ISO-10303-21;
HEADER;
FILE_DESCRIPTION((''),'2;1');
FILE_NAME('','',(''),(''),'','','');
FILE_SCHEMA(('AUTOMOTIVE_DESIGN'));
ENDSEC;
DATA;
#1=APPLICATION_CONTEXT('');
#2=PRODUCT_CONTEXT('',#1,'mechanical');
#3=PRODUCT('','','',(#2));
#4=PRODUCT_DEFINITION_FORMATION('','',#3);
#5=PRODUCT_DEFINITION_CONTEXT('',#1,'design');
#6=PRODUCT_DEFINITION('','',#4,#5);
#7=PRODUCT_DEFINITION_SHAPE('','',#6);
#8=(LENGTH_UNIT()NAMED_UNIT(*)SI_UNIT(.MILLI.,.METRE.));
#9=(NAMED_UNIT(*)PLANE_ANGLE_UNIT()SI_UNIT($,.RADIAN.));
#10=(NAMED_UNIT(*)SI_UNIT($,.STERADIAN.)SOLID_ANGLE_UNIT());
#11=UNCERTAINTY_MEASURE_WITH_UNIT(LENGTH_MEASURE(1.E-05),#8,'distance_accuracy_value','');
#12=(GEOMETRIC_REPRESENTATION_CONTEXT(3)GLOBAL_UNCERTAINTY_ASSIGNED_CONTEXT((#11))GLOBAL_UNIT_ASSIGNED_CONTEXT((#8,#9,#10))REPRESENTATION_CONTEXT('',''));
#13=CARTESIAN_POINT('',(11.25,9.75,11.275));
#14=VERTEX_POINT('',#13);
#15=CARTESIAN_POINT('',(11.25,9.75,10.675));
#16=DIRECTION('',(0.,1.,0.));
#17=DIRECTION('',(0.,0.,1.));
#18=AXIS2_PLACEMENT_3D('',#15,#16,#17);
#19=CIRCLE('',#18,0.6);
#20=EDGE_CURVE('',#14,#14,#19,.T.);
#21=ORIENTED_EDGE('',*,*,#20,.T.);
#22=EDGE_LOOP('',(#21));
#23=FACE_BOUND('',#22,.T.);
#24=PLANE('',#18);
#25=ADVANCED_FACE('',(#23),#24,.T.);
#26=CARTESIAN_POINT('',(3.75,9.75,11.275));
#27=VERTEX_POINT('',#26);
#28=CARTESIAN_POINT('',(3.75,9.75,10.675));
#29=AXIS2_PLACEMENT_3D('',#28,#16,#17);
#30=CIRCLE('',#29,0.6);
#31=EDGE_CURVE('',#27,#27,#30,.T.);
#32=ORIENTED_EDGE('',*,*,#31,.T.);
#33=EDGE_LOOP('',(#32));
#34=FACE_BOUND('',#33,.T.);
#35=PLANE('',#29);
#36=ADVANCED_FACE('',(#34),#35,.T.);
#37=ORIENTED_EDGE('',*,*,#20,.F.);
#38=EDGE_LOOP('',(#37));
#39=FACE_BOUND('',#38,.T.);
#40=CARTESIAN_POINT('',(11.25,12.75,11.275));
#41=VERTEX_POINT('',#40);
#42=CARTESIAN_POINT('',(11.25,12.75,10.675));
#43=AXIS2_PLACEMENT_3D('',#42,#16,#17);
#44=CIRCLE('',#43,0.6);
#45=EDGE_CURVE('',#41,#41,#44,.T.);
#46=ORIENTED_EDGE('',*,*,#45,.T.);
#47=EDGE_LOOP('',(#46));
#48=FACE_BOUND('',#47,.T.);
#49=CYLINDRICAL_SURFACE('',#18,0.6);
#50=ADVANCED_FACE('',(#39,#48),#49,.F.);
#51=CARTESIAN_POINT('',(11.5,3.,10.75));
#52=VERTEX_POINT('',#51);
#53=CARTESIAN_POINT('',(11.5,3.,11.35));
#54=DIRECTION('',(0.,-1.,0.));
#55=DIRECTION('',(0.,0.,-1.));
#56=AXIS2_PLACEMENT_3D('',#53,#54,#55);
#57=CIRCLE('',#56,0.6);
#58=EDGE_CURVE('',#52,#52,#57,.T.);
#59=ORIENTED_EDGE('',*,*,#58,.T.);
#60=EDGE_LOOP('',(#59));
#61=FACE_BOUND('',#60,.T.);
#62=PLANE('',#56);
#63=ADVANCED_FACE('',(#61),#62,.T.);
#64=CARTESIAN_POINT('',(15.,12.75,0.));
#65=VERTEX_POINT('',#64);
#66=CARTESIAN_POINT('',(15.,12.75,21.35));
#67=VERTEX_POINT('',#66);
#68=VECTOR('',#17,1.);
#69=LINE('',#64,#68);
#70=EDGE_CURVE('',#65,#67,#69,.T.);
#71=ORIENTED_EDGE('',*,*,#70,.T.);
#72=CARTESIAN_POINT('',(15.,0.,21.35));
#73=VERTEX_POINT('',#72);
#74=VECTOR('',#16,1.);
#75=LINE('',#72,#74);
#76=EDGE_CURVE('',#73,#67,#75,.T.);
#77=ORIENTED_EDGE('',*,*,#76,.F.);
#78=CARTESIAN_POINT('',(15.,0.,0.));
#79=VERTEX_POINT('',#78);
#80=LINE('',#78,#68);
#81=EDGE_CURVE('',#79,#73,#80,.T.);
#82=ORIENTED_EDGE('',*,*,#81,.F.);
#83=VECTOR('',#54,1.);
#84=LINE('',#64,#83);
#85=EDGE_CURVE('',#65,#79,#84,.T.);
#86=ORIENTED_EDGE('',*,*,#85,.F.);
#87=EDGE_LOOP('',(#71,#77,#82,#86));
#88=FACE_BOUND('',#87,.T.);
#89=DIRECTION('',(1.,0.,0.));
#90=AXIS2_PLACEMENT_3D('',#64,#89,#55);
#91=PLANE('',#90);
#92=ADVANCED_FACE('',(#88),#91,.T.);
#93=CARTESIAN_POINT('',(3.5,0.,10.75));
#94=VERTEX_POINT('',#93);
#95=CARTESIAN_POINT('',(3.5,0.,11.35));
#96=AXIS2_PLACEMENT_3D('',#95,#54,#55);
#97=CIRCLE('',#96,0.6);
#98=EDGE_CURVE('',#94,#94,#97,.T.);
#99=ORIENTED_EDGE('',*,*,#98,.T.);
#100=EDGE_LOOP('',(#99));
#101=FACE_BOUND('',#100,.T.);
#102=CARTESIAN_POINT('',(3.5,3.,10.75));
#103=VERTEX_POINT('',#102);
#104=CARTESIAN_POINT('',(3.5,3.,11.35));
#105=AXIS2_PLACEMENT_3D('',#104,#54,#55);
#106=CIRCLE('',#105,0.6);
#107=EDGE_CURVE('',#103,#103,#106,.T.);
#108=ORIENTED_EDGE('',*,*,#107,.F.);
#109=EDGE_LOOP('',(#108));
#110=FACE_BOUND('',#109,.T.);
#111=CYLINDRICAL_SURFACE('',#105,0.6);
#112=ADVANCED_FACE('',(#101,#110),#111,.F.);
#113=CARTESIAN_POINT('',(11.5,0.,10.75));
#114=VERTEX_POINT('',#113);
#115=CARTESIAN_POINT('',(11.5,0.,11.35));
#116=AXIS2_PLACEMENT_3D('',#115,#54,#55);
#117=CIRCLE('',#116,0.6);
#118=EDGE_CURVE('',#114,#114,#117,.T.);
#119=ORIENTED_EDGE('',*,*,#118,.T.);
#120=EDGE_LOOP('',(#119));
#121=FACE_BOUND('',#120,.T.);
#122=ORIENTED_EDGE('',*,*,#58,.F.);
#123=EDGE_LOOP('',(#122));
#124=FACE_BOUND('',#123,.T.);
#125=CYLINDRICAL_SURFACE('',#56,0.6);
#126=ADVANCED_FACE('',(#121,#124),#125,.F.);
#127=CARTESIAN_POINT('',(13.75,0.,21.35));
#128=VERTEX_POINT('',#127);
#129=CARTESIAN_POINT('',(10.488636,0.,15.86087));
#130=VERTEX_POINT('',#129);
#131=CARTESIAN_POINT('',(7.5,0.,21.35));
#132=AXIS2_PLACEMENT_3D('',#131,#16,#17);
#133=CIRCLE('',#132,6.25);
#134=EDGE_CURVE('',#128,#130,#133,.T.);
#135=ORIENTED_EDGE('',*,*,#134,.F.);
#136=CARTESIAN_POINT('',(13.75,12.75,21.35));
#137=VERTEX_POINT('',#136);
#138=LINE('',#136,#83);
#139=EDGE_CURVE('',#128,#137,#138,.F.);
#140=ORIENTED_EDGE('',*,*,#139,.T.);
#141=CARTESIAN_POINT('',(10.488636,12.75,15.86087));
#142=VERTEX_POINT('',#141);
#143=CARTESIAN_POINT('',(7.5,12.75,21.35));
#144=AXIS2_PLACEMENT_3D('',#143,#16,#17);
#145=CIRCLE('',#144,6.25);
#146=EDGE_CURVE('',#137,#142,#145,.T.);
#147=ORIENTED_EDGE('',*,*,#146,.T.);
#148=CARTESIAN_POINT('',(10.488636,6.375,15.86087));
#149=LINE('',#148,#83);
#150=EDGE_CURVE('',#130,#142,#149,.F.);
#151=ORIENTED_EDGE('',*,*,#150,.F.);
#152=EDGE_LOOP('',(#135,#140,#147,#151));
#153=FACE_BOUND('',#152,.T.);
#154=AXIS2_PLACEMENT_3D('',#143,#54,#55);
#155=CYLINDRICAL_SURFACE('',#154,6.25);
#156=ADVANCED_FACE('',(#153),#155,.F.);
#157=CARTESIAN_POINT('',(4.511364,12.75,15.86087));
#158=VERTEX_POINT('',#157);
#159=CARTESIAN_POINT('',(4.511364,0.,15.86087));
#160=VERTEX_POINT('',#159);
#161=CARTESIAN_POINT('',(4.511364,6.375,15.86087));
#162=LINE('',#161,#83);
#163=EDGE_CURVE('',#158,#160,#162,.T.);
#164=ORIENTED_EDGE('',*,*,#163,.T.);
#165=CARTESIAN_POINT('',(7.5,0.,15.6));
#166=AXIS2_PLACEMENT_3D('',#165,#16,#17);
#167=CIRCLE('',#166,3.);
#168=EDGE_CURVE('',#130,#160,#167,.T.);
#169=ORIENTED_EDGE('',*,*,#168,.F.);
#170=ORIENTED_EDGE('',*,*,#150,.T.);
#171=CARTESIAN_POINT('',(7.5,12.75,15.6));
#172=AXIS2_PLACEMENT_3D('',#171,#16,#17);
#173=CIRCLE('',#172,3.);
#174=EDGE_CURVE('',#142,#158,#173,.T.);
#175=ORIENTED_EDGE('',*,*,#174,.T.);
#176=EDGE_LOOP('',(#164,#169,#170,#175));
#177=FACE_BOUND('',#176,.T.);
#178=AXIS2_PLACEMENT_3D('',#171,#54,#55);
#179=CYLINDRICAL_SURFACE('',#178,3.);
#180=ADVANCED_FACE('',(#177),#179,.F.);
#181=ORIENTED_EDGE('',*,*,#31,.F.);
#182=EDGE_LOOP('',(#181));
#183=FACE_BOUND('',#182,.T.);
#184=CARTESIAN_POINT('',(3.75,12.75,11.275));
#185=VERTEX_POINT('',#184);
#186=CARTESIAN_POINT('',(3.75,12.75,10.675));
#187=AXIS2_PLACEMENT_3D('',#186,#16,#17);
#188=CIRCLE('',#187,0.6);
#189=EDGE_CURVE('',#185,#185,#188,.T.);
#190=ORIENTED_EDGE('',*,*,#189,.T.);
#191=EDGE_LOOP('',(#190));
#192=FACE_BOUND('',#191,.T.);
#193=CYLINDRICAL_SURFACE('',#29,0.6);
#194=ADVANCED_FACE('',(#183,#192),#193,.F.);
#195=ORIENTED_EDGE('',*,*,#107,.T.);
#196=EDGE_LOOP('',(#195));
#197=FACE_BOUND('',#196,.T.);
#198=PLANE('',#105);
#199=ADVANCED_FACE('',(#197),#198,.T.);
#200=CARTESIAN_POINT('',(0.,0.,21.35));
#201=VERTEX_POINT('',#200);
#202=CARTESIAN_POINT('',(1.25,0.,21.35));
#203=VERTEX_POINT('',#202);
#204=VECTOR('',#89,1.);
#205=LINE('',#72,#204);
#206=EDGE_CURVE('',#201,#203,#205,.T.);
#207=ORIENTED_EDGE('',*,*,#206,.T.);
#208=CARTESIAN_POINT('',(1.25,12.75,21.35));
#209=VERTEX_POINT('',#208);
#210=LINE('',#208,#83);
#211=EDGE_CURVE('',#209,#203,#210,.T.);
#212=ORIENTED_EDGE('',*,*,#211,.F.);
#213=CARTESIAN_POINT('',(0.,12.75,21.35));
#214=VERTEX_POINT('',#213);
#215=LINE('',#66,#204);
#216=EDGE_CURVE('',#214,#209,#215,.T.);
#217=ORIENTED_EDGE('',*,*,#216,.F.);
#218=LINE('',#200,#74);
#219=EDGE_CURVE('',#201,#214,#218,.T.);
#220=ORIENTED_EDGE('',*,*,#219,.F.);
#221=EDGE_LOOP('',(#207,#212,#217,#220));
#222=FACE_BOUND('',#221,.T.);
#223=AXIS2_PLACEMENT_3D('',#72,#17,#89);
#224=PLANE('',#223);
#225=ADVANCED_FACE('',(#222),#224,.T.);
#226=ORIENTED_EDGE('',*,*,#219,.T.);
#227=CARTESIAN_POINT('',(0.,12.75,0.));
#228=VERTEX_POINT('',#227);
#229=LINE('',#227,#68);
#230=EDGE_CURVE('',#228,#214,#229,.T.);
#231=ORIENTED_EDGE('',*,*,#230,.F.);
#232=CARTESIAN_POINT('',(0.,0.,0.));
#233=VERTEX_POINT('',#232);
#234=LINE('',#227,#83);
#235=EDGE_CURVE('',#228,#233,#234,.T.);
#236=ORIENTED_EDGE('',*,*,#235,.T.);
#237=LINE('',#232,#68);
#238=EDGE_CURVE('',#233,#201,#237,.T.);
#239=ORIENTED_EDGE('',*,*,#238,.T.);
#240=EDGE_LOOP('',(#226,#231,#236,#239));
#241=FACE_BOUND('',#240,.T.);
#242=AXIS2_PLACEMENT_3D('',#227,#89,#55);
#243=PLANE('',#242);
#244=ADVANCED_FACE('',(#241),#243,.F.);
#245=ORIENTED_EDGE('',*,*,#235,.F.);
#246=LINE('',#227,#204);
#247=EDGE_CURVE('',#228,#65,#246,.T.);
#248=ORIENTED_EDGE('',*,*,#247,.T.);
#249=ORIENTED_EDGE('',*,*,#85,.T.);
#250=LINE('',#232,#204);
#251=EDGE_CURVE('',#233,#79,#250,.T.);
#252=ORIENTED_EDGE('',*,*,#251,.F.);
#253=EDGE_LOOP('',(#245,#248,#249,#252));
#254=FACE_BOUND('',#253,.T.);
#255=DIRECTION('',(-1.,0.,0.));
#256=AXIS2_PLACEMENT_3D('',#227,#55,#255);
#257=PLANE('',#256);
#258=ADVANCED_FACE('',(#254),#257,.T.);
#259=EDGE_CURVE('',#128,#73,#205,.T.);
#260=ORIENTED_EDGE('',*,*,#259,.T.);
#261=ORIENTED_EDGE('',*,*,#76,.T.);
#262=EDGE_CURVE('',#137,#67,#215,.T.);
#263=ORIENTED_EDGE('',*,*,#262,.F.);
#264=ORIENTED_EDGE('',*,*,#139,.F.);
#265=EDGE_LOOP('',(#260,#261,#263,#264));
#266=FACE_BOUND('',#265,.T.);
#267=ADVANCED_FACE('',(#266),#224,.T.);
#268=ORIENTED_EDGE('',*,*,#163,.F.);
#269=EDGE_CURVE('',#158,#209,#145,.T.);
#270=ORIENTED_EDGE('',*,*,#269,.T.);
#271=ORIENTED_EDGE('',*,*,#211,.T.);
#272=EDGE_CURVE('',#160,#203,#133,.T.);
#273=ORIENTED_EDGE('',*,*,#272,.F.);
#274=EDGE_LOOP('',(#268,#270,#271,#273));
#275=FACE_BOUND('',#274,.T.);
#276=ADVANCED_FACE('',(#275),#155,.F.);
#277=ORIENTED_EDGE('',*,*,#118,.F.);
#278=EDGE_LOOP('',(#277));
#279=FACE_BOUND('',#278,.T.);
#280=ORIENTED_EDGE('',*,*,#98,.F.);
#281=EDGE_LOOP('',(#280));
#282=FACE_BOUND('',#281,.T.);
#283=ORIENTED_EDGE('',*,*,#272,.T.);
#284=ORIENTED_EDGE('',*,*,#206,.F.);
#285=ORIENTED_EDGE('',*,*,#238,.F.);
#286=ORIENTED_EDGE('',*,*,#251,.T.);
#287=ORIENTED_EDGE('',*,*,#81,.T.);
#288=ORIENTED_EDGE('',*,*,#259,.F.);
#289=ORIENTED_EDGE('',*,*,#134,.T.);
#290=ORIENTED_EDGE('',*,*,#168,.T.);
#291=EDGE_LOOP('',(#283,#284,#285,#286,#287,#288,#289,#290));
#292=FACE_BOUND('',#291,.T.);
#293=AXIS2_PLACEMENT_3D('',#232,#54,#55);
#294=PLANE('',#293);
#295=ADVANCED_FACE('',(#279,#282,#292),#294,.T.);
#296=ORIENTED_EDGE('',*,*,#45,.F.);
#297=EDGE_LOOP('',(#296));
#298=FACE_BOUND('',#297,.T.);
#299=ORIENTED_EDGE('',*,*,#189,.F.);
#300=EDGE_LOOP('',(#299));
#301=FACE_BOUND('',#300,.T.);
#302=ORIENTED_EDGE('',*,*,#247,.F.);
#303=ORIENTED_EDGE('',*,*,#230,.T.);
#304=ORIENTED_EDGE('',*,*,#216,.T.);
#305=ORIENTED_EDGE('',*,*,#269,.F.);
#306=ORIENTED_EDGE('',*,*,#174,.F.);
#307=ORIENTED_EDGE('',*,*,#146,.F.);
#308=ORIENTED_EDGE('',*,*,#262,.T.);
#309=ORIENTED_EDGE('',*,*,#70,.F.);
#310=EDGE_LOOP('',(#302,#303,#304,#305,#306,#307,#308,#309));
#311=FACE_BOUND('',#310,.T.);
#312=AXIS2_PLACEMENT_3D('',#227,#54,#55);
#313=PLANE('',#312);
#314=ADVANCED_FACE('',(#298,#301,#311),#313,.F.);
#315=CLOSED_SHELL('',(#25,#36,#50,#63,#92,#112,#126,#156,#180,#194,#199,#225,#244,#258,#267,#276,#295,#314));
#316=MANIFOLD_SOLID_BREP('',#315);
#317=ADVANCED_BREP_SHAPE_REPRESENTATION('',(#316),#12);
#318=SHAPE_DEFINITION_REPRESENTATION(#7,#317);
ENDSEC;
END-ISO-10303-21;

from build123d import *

# Parameters (mm, degrees)
SKETCH_1_W           = 15
SKETCH_1_H           = 32.4
EXTRUDE_1_DEPTH      = 12.75
SKETCH_1_3_R         = 6.25
SKETCH_1_3_R_2       = 3
CUT_EXTRUDE_1_DEPTH  = 38.912036347
SKETCH_2_OUTSIDE_W   = 24.582
SKETCH_2_OUTSIDE_H   = 41.982
SKETCH_2_OUTSIDE_W_2 = 15
SKETCH_2_OUTSIDE_H_2 = 21.35
CUT_EXTRUDE_2_DEPTH  = 38.912036347
SKETCH_3_R           = 0.6
CUT_EXTRUDE_3_DEPTH  = 3
SKETCH_4_R           = 0.6
CUT_EXTRUDE_4_DEPTH  = 3


with BuildPart() as part:
    # 草图1 → 凸台-拉伸1 (new body)
    with BuildSketch(Plane(origin=(0, 0, 0), x_dir=(1, 0, 0), z_dir=(0, 1, 0))):
        with Locations((7.5, -16.2)):
            Rectangle(SKETCH_1_W, SKETCH_1_H)
    extrude(amount=EXTRUDE_1_DEPTH)

    # 草图1<3> → 切除-拉伸1 (cut, through all)
    with BuildSketch(Plane(origin=(0, 0, 0), x_dir=(1, 0, 0), z_dir=(0, 1, 0))):
        with Locations((7.5, -21.35)):
            Circle(SKETCH_1_3_R)
        with Locations((7.5, -15.6)):
            Circle(SKETCH_1_3_R_2)
    extrude(amount=CUT_EXTRUDE_1_DEPTH, mode=Mode.SUBTRACT)

    # 草图2 outside → 切除-拉伸2 (cut, through all)
    with BuildSketch(Plane(origin=(0, 12.75, 0), x_dir=(1, 0, 0), z_dir=(0, 1, 0))):
        with Locations((7.5, -16.2)):
            Rectangle(SKETCH_2_OUTSIDE_W, SKETCH_2_OUTSIDE_H)
        with Locations((7.5, -10.675)):
            Rectangle(SKETCH_2_OUTSIDE_W_2, SKETCH_2_OUTSIDE_H_2, mode=Mode.SUBTRACT)
    extrude(amount=-CUT_EXTRUDE_2_DEPTH, mode=Mode.SUBTRACT)

    # 草图3 → 切除-拉伸3 (cut)
    with BuildSketch(Plane.XZ):
        with Locations((3.5, 11.35)):
            Circle(SKETCH_3_R)
        with Locations((11.5, 11.35)):
            Circle(SKETCH_3_R)
    extrude(amount=-CUT_EXTRUDE_3_DEPTH, mode=Mode.SUBTRACT)

    # 草图4 → 切除-拉伸4 (cut)
    with BuildSketch(Plane(origin=(0, 12.75, 0), x_dir=(1, 0, 0), z_dir=(0, 1, 0))):
        with Locations((11.25, -10.675)):
            Circle(SKETCH_4_R)
        with Locations((3.75, -10.675)):
            Circle(SKETCH_4_R)
    extrude(amount=-CUT_EXTRUDE_4_DEPTH, mode=Mode.SUBTRACT)


solid = part.part
